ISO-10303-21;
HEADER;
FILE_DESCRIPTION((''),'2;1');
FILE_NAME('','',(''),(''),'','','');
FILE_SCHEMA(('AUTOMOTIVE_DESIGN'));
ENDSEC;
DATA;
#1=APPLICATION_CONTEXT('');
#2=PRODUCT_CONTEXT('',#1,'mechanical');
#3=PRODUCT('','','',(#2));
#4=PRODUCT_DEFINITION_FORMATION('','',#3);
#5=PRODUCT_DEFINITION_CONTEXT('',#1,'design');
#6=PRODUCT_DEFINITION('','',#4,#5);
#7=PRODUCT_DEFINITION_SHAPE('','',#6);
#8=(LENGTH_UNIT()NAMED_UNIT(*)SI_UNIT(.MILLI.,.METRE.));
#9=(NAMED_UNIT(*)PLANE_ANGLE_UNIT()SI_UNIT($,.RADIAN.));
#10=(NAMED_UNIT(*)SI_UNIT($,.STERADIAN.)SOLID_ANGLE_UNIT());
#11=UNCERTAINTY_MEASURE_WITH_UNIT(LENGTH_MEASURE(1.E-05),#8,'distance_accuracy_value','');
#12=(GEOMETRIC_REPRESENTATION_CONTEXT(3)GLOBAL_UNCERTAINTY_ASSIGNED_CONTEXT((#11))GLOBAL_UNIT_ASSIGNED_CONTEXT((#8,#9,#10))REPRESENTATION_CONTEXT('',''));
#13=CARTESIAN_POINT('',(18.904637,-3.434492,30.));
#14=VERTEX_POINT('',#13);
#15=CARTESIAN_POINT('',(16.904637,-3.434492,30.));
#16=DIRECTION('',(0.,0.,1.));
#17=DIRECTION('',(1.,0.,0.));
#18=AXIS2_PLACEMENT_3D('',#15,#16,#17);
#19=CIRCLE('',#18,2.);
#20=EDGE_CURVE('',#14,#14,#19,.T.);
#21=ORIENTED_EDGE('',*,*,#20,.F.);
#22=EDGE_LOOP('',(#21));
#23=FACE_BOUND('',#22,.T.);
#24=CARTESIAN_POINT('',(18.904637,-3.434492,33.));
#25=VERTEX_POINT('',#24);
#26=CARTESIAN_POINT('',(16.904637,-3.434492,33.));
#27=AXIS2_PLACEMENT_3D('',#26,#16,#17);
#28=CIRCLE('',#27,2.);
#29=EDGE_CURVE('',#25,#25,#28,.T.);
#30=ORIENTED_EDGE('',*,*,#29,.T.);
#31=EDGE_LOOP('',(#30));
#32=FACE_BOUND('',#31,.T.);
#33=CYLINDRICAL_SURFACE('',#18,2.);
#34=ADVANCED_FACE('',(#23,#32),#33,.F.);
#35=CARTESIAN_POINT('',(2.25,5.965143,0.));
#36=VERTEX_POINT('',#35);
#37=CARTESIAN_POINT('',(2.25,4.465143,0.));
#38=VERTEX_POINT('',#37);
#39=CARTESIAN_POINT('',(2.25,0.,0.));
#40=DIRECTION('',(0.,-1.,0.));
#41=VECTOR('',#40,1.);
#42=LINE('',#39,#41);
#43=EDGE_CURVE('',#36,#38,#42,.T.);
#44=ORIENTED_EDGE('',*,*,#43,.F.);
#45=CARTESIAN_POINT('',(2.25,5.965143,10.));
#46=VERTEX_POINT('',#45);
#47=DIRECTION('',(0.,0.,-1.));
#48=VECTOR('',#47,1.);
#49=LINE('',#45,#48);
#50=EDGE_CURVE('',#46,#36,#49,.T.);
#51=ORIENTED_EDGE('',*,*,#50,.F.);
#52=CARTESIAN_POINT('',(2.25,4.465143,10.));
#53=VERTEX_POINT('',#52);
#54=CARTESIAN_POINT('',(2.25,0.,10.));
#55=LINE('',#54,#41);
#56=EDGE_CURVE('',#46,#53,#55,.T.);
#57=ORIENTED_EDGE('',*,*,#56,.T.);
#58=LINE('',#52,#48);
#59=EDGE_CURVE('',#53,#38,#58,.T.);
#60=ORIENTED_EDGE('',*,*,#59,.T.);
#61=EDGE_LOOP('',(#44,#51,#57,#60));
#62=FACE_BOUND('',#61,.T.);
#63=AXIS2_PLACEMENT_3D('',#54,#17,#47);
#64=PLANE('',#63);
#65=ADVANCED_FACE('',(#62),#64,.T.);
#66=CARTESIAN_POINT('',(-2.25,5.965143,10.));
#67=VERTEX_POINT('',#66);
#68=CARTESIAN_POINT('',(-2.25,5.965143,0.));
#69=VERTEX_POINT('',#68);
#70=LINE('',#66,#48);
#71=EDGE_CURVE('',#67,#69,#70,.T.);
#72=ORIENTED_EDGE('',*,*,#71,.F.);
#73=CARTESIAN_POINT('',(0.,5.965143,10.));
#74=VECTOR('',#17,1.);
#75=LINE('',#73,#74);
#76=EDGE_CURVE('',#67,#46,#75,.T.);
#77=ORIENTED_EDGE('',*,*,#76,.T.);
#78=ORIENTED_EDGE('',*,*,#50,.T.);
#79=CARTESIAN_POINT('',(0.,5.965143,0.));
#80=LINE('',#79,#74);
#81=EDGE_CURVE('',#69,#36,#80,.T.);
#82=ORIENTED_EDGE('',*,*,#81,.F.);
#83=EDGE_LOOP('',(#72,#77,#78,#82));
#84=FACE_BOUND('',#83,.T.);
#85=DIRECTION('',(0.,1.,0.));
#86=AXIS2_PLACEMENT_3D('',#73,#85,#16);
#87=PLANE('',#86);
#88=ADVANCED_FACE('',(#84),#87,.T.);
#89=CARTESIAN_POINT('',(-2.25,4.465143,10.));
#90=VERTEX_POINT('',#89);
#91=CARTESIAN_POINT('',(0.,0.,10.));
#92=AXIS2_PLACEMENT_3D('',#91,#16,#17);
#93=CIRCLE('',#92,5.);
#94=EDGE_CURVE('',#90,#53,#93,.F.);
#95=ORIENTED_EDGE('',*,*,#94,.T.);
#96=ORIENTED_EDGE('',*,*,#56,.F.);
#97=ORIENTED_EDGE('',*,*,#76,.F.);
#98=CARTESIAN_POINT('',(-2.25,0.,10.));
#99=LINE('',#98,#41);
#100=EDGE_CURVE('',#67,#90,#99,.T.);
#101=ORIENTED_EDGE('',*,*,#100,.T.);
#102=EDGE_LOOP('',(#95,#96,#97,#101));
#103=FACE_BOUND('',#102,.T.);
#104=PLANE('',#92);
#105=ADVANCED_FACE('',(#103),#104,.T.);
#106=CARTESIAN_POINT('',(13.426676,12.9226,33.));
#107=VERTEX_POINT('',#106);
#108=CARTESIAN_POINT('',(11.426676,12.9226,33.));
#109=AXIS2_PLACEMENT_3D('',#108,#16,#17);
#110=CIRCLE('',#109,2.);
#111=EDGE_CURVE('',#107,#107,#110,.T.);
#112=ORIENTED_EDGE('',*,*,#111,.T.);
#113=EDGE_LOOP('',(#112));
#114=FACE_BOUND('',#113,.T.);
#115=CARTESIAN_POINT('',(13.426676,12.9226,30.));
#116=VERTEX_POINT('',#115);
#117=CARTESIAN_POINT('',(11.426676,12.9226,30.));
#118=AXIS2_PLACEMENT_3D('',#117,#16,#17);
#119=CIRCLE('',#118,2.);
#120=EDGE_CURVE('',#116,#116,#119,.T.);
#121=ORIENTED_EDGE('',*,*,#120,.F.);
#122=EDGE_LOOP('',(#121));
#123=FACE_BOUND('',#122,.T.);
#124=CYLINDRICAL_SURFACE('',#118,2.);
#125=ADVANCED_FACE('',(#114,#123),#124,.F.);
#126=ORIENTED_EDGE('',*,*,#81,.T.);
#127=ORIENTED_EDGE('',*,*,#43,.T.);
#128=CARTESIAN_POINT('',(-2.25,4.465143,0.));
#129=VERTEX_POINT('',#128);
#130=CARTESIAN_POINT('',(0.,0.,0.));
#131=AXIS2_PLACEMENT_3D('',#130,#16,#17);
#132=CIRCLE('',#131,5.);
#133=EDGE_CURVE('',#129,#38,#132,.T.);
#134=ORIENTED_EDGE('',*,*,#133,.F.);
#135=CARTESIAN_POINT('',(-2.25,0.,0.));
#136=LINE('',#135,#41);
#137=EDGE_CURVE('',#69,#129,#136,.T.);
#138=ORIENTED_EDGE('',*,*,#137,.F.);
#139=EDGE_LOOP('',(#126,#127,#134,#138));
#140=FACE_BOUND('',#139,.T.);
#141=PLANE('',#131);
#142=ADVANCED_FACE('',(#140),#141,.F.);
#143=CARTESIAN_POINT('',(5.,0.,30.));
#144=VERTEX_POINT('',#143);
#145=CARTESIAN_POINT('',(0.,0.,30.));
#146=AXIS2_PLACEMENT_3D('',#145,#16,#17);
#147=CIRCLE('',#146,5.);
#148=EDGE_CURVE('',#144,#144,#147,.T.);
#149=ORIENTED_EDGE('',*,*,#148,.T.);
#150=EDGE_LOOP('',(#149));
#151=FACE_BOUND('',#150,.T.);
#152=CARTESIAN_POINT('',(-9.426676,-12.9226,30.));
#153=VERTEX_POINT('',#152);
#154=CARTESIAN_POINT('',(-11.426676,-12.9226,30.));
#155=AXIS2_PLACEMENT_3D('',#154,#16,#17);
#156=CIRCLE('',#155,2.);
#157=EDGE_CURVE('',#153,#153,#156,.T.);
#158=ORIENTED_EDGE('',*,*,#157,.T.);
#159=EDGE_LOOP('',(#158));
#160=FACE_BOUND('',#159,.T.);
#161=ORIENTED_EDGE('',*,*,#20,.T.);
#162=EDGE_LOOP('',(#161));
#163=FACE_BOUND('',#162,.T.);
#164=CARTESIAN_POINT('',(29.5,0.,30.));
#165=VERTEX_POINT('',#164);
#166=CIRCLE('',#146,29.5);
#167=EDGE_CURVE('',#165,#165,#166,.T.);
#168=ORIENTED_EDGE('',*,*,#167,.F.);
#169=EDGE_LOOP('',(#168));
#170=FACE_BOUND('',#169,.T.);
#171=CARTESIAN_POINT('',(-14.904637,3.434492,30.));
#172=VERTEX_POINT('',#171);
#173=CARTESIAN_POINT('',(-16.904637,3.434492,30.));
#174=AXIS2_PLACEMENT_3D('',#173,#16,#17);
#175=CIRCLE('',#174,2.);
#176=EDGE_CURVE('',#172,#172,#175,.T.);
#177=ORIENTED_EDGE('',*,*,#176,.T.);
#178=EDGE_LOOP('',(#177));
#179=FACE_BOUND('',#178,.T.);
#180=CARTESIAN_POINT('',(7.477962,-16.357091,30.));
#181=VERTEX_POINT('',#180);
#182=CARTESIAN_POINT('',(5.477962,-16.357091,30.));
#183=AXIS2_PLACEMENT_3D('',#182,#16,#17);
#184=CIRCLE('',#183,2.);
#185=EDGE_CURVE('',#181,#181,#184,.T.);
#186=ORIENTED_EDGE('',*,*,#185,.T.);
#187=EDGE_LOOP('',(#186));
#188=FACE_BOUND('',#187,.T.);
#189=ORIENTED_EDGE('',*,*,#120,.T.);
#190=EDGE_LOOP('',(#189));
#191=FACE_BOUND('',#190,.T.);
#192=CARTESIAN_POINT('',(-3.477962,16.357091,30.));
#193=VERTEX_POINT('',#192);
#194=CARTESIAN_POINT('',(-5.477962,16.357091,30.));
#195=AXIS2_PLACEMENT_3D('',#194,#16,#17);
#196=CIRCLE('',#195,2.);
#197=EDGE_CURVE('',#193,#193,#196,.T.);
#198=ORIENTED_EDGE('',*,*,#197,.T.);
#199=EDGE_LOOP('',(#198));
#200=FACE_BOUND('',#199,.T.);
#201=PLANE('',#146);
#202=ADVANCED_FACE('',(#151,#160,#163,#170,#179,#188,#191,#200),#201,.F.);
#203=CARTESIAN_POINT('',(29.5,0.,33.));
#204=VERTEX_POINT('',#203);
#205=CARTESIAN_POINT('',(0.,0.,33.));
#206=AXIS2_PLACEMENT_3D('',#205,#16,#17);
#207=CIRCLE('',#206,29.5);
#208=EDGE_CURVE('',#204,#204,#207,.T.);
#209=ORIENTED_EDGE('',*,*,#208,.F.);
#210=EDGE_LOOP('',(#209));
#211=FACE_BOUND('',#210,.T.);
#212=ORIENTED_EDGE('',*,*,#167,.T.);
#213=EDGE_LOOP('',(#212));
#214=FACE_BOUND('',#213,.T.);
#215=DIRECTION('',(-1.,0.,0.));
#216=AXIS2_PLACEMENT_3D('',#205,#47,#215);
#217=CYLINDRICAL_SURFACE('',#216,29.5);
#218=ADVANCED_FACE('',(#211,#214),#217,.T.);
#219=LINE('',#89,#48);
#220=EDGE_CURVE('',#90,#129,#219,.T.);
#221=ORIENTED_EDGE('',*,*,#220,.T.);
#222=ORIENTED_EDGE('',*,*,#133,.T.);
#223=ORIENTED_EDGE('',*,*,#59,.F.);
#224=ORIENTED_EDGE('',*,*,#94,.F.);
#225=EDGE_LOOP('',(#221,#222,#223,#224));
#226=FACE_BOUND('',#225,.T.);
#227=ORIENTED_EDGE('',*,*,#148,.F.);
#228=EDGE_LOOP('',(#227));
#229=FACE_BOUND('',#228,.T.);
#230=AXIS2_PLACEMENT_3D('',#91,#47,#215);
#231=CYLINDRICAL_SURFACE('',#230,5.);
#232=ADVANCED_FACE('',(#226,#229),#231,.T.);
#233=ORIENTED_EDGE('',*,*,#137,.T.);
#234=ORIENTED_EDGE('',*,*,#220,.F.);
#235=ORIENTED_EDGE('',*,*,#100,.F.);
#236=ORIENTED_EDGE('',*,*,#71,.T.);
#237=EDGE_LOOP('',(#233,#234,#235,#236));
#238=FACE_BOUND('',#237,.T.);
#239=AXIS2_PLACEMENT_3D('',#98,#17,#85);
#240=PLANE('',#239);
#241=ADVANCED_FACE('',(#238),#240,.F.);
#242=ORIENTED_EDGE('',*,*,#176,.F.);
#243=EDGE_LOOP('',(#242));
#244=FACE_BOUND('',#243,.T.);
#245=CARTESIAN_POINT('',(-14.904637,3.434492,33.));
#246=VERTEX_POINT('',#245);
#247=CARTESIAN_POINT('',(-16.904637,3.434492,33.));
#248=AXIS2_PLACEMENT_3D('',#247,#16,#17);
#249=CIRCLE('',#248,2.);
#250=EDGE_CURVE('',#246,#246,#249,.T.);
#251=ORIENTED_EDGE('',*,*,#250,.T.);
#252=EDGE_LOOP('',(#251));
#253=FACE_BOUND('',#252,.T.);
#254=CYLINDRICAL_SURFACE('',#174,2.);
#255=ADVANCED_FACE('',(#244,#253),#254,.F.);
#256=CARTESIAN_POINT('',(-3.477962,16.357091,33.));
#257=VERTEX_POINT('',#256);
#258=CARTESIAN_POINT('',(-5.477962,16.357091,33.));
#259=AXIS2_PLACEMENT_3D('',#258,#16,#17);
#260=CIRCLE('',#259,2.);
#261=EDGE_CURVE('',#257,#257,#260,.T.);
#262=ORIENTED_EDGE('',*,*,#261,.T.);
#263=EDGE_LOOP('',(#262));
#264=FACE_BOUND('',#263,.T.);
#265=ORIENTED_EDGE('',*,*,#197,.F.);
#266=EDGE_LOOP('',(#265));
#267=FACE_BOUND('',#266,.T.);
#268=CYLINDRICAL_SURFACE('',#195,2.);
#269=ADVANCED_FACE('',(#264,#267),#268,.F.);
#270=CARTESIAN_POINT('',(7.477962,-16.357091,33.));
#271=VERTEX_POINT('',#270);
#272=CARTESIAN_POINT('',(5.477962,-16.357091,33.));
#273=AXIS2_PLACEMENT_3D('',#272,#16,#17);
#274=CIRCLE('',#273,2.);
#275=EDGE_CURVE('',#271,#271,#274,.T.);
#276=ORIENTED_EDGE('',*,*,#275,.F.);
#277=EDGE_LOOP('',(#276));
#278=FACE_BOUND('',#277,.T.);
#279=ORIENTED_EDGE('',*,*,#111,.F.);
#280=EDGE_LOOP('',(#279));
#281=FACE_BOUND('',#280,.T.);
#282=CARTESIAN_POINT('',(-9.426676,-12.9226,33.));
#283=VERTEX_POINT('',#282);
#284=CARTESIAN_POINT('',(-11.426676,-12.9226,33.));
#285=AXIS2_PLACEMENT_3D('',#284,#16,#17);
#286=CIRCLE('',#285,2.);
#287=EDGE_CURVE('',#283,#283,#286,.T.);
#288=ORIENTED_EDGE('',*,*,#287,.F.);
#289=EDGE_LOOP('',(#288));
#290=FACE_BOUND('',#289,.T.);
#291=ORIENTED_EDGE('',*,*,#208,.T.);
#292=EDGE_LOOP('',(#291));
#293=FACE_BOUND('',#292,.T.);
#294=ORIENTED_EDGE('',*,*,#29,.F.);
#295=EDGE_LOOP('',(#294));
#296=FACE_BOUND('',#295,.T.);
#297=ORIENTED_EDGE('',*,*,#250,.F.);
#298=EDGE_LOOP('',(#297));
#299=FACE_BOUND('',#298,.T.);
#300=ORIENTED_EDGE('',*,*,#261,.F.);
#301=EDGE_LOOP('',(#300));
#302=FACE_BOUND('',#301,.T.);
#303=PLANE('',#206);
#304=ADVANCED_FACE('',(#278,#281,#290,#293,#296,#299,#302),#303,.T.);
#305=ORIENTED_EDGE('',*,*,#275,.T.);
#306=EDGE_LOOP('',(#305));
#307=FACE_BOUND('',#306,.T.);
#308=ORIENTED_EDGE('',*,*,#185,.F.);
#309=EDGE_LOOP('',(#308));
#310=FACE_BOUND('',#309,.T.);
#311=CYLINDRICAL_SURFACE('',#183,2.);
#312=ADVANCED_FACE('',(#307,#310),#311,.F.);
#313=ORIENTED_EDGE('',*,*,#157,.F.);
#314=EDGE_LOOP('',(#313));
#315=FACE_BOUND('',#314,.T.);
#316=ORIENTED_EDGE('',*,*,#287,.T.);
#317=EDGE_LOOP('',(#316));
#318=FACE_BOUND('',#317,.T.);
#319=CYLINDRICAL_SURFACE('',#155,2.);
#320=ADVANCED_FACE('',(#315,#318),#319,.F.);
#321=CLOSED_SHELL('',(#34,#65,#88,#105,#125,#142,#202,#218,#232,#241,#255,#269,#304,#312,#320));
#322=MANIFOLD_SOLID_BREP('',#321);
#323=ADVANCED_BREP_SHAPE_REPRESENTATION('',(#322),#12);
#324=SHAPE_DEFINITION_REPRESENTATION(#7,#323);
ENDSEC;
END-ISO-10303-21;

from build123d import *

# Parameters (mm, degrees)
EXTRUDE_1_DEPTH     = 10
EXTRUDE_2_DEPTH     = 30
SKETCH_3_R          = 29.5
EXTRUDE_3_DEPTH     = 3
SKETCH_4_R          = 2
CUT_EXTRUDE_1_DEPTH = 3


with BuildPart() as part:
    # 草图2 → 凸台-拉伸1 (new body)
    with BuildSketch(Plane.XY):
        with BuildLine():
            Line((2.25, 5.965142775), (-2.25, 5.965142775))
            Line((-2.25, 5.965142775), (-2.25, 4.465142775))
            ThreePointArc((-2.25, 4.465142775), (0, -5), (2.25, 4.465142775))
            Line((2.25, 4.465142775), (2.25, 5.965142775))
        make_face()
    extrude(amount=EXTRUDE_1_DEPTH)

    # 草图2<3> → 凸台-拉伸2 (add)
    with BuildSketch(Plane.XY):
        with BuildLine():
            ThreePointArc((2.25, 4.465142775), (0, 5), (-2.25, 4.465142775))
            ThreePointArc((-2.25, 4.465142775), (-2.62202212, -4.257346591), (5, 0))
            ThreePointArc((5, 0), (4.257346591, 2.62202212), (2.25, 4.465142775))
        make_face()
    extrude(amount=EXTRUDE_2_DEPTH)

    # 草图3 → 凸台-拉伸3 (add)
    with BuildSketch(Plane.XY.offset(30)):
        Circle(SKETCH_3_R)
    extrude(amount=EXTRUDE_3_DEPTH)

    # 草图4 → 切除-拉伸1 (cut)
    with BuildSketch(Plane.XY.offset(33)):
        with Locations((-5.477961715, 16.357091289)):
            Circle(SKETCH_4_R)
        with Locations((11.426675731, 12.922599651)):
            Circle(SKETCH_4_R)
        with Locations((16.904637446, -3.434491638)):
            Circle(SKETCH_4_R)
        with Locations((5.477961715, -16.357091289)):
            Circle(SKETCH_4_R)
        with Locations((-11.426675731, -12.922599651)):
            Circle(SKETCH_4_R)
        with Locations((-16.904637446, 3.434491638)):
            Circle(SKETCH_4_R)
    extrude(amount=-CUT_EXTRUDE_1_DEPTH, mode=Mode.SUBTRACT)


solid = part.part
